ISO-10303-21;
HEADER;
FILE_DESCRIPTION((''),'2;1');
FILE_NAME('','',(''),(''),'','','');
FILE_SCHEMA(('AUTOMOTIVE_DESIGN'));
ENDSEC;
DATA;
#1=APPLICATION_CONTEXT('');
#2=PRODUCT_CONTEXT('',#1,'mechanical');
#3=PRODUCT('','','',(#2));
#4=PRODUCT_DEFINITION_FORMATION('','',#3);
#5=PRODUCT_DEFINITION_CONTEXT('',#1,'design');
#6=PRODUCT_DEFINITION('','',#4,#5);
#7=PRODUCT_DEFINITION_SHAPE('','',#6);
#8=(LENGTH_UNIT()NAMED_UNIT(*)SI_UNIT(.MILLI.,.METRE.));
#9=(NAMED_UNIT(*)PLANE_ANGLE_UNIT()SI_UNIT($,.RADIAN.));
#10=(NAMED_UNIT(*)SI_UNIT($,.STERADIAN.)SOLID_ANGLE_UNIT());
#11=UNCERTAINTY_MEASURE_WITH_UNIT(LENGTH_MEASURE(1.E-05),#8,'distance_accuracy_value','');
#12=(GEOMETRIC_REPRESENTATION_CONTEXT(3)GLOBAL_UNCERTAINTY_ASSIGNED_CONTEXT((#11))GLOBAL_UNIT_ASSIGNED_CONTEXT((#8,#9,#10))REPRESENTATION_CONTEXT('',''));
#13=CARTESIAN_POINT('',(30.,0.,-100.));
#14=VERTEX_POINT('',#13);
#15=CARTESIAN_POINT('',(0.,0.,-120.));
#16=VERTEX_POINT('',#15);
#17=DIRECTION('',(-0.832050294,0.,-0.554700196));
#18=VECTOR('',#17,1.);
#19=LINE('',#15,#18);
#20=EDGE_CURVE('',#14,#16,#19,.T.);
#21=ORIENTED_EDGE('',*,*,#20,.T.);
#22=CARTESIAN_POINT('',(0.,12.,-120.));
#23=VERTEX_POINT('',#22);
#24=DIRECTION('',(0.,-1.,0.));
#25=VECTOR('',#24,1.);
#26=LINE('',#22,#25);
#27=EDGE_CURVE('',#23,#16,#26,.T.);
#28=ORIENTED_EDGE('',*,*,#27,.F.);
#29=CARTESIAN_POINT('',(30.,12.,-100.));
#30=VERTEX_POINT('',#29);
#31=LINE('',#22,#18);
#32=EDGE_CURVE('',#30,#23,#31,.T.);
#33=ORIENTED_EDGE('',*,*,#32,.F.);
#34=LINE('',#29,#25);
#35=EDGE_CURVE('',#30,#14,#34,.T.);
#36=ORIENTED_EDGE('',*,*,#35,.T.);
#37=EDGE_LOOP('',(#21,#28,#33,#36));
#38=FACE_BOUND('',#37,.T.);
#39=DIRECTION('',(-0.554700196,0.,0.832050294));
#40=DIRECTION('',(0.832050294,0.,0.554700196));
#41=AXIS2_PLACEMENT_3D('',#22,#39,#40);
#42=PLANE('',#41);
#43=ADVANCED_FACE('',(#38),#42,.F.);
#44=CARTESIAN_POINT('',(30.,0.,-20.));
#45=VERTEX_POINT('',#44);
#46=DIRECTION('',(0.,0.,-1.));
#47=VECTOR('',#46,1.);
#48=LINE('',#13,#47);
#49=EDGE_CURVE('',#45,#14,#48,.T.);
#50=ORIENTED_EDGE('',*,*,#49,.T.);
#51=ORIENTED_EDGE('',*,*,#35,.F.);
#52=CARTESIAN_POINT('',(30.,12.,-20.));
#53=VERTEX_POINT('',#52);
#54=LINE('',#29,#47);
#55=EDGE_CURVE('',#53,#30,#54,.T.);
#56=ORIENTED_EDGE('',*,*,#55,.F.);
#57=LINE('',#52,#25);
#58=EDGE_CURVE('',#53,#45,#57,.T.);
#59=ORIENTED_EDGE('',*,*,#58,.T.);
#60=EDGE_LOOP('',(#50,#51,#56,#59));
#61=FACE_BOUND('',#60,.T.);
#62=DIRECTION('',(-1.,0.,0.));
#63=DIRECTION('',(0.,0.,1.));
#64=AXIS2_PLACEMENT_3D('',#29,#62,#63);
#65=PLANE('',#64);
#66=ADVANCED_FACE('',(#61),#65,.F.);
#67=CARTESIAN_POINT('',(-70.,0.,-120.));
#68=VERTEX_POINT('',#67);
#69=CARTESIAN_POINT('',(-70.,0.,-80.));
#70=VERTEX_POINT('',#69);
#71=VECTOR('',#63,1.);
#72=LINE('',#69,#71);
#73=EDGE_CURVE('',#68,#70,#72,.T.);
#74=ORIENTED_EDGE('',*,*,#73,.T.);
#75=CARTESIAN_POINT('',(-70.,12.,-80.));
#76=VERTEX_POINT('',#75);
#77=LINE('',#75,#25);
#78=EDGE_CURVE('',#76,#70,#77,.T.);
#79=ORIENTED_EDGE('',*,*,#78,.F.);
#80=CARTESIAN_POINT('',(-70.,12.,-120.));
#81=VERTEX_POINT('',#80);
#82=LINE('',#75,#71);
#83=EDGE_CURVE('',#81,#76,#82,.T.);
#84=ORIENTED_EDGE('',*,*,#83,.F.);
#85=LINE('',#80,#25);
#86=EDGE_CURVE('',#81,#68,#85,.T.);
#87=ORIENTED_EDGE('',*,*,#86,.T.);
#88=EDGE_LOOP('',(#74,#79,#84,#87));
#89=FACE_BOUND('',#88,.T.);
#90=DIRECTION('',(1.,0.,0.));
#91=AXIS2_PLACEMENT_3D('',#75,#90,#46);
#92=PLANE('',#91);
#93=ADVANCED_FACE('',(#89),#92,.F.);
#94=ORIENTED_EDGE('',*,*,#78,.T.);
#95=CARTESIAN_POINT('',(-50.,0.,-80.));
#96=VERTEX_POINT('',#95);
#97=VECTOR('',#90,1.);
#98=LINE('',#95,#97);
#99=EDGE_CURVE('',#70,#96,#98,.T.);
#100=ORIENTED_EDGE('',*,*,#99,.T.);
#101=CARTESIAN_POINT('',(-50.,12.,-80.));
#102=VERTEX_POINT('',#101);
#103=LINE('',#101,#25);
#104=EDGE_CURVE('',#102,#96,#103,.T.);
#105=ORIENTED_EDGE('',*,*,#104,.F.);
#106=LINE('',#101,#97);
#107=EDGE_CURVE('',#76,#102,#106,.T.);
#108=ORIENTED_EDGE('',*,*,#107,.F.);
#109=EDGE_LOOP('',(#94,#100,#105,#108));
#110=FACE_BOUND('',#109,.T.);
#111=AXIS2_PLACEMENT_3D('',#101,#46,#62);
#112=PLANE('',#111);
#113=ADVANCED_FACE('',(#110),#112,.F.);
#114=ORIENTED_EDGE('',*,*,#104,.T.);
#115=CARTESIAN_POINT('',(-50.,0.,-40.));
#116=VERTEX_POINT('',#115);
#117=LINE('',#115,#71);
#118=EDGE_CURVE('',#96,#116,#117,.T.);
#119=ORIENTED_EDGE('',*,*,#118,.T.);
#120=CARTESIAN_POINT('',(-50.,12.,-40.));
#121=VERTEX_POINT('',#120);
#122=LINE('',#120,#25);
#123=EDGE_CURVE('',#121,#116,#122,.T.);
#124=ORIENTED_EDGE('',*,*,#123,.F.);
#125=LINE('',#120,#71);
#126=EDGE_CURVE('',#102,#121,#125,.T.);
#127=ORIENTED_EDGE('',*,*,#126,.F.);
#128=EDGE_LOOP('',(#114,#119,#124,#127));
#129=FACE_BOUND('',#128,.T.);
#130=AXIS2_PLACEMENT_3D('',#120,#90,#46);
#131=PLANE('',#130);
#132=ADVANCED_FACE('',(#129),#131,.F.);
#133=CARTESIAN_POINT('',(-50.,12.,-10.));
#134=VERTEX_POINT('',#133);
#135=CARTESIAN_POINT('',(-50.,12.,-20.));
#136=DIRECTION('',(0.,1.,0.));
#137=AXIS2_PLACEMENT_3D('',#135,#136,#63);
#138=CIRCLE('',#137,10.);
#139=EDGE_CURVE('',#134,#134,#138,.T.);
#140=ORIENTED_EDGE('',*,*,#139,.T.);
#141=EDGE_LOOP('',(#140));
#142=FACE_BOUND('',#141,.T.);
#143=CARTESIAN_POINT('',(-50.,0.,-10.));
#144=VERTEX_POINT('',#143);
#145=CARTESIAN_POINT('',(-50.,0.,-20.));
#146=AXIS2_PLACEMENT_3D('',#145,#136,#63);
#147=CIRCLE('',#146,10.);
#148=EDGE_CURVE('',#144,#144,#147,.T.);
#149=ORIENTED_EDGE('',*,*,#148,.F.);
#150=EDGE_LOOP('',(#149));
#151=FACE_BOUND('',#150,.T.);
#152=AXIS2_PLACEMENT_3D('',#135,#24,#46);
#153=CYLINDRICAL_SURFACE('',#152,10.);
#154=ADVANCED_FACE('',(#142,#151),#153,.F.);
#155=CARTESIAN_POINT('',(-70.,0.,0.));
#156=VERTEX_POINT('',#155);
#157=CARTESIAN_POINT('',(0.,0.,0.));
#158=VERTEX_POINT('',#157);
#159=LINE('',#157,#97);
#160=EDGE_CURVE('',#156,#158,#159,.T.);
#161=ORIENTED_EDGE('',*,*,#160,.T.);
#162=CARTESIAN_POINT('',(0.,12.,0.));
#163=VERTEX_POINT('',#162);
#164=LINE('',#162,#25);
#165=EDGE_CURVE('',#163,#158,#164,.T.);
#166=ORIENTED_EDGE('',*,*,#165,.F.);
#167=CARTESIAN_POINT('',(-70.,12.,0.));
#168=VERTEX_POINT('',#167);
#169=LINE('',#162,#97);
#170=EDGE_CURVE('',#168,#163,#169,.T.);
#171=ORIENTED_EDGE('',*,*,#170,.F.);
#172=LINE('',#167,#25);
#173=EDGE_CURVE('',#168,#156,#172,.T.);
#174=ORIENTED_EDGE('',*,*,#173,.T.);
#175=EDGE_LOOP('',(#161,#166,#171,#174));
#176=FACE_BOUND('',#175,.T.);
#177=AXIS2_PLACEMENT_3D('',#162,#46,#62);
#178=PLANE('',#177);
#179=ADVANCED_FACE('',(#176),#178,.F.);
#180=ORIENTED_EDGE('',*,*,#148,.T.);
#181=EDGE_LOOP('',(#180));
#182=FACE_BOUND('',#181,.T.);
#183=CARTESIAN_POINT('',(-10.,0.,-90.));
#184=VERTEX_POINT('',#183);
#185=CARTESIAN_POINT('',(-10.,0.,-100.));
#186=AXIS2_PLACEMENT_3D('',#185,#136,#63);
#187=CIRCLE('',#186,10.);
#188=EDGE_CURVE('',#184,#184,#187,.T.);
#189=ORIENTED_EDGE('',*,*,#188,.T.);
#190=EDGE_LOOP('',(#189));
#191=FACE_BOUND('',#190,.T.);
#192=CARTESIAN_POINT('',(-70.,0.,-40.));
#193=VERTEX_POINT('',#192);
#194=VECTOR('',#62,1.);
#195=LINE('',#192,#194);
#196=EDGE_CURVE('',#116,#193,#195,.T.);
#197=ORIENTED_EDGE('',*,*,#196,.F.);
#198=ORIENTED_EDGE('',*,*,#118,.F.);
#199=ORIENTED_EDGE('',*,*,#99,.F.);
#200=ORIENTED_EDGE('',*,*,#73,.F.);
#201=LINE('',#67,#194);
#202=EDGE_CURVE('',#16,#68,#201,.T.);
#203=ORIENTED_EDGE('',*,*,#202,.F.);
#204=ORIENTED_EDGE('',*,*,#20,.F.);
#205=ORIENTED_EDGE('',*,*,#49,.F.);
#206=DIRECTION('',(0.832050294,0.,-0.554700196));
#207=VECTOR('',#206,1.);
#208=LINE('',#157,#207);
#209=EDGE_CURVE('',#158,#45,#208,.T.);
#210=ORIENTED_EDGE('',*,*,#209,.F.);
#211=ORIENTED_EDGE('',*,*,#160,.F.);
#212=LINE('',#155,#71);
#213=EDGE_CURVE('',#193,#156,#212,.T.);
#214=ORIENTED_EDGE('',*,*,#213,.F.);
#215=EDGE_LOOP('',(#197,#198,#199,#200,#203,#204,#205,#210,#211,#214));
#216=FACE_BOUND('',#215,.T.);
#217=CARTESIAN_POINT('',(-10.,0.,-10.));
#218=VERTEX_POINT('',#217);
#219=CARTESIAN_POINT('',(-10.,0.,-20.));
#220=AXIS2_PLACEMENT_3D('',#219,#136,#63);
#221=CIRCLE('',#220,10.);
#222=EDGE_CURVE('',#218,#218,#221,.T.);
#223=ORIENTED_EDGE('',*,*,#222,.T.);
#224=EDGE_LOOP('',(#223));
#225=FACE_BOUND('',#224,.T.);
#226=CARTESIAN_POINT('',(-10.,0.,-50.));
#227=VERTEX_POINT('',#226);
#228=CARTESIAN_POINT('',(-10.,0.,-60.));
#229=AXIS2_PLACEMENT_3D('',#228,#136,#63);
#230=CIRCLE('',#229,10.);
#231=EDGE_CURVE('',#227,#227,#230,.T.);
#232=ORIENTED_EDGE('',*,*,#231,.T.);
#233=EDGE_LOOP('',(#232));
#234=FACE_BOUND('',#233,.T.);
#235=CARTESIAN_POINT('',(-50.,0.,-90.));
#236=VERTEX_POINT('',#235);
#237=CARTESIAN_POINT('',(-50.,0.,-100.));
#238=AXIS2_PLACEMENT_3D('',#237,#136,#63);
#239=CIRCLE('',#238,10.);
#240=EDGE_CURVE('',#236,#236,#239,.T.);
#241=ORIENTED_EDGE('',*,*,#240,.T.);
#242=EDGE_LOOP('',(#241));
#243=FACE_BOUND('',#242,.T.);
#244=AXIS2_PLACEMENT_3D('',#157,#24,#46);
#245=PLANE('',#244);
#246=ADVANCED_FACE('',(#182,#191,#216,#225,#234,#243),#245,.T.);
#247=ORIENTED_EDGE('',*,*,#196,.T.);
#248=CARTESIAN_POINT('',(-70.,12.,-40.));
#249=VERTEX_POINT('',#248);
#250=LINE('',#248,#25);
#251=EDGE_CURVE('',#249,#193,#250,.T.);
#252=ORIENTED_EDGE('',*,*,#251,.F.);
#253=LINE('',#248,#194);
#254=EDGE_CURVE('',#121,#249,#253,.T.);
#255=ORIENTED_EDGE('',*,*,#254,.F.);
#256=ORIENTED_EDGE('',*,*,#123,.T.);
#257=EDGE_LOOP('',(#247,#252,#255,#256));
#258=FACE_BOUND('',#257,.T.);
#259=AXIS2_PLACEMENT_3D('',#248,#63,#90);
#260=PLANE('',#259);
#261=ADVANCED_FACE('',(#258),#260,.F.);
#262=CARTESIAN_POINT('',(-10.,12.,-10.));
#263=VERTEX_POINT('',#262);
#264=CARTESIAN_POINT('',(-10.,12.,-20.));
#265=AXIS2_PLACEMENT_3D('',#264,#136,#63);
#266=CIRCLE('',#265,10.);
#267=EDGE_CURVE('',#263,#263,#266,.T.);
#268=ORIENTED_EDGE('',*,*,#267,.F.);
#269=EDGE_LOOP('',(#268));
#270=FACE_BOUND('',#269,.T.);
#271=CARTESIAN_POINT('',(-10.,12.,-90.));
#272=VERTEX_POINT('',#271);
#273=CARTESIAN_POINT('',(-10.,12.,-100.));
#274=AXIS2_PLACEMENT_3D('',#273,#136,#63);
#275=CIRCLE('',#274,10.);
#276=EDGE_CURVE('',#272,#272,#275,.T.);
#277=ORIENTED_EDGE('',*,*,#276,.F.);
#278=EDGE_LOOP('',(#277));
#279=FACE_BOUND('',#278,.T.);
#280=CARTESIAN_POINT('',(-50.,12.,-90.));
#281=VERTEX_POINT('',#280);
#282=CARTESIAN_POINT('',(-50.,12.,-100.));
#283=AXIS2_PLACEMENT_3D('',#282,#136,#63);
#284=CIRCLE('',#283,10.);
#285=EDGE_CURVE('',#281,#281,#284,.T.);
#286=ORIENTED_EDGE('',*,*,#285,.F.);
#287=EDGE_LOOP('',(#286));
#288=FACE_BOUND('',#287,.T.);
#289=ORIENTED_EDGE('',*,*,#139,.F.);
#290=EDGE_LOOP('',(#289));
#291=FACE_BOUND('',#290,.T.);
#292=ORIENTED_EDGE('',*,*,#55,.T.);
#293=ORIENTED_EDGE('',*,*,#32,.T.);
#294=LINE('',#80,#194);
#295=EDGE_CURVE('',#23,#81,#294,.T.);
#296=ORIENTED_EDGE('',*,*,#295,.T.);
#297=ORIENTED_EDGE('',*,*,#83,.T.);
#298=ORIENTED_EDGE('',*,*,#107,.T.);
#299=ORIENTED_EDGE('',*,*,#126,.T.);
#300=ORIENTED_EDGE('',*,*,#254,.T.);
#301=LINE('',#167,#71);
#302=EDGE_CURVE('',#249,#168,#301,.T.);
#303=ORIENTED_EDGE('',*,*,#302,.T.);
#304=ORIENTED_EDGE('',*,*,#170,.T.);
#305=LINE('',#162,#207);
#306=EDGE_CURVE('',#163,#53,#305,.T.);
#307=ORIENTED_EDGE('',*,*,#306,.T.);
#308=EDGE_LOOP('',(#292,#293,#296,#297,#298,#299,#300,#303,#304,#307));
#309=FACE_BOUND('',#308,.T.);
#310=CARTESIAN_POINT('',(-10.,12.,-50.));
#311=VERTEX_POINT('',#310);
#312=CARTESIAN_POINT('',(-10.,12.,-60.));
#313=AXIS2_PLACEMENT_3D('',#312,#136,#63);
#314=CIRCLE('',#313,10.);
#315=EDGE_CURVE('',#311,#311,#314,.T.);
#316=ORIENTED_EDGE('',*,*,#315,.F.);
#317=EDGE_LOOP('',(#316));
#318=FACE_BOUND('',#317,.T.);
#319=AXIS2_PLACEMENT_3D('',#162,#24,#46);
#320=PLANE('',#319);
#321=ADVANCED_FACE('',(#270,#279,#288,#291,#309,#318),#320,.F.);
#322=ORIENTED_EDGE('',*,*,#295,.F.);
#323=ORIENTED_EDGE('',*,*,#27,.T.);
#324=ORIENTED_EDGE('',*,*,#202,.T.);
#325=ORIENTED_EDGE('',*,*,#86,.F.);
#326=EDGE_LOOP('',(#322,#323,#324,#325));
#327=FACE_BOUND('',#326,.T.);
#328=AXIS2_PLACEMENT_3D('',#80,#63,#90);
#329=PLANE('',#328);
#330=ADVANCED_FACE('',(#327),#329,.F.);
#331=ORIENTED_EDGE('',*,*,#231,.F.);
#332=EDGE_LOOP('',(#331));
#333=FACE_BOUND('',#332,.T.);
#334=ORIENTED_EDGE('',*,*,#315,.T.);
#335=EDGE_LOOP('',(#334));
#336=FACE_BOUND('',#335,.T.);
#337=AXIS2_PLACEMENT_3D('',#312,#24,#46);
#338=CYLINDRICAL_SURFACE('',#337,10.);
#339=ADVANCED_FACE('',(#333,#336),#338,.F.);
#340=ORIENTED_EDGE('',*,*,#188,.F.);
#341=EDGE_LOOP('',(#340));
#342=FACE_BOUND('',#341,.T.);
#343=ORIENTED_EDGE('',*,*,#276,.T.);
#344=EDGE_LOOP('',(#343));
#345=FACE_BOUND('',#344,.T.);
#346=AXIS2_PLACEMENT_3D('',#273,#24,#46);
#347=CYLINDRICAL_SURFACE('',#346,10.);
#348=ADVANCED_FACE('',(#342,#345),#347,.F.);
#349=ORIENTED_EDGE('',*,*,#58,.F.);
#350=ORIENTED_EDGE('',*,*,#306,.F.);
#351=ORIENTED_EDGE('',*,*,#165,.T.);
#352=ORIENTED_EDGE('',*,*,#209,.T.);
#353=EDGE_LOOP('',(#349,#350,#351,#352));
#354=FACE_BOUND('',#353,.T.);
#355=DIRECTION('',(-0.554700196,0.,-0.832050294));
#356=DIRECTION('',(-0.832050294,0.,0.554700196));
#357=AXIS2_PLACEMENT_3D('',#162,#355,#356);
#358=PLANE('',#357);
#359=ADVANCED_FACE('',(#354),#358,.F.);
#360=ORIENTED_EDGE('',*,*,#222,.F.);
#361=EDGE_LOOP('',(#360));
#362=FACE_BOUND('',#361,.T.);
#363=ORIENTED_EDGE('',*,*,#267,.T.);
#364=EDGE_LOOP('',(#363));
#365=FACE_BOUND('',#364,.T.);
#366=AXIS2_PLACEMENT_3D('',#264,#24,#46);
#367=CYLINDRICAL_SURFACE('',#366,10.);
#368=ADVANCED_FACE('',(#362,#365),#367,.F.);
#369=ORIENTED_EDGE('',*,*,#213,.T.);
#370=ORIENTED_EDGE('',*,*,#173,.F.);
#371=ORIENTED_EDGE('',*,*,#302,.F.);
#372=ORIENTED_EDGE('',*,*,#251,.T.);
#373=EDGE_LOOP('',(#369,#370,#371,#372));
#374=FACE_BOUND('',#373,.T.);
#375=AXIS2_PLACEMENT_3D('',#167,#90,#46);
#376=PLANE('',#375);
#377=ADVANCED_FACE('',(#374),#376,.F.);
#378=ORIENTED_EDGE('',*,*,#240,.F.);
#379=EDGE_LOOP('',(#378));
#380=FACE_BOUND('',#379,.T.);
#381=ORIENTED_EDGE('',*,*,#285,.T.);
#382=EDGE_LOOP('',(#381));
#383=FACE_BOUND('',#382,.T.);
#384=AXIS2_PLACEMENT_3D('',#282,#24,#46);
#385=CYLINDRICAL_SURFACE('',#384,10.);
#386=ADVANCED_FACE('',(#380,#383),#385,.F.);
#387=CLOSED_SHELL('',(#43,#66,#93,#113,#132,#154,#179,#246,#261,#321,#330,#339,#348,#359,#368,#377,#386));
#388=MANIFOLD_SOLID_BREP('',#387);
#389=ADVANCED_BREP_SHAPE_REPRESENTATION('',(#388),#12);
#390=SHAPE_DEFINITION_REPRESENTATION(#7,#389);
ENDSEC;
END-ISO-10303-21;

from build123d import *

# Parameters (mm, degrees)
SKETCH3_R           = 10
BOSS_EXTRUDE1_DEPTH = 12


with BuildPart() as part:
    # Sketch3 → Boss-Extrude1 (new body)
    with BuildSketch(Plane(origin=(0, 0, 0), x_dir=(1, 0, 0), z_dir=(0, 1, 0))):
        Polygon((0, 0), (-70, 0), (-70, 40), (-50, 40), (-50, 80), (-70, 80), (-70, 120), (0, 120), (30, 100), (30, 20), align=None)
        with Locations((-50, 100)):
            Circle(SKETCH3_R, mode=Mode.SUBTRACT)
        with Locations((-10, 100)):
            Circle(SKETCH3_R, mode=Mode.SUBTRACT)
        with Locations((-50, 20)):
            Circle(SKETCH3_R, mode=Mode.SUBTRACT)
        with Locations((-10, 20)):
            Circle(SKETCH3_R, mode=Mode.SUBTRACT)
        with Locations((-10, 60)):
            Circle(SKETCH3_R, mode=Mode.SUBTRACT)
    extrude(amount=BOSS_EXTRUDE1_DEPTH)


solid = part.part
